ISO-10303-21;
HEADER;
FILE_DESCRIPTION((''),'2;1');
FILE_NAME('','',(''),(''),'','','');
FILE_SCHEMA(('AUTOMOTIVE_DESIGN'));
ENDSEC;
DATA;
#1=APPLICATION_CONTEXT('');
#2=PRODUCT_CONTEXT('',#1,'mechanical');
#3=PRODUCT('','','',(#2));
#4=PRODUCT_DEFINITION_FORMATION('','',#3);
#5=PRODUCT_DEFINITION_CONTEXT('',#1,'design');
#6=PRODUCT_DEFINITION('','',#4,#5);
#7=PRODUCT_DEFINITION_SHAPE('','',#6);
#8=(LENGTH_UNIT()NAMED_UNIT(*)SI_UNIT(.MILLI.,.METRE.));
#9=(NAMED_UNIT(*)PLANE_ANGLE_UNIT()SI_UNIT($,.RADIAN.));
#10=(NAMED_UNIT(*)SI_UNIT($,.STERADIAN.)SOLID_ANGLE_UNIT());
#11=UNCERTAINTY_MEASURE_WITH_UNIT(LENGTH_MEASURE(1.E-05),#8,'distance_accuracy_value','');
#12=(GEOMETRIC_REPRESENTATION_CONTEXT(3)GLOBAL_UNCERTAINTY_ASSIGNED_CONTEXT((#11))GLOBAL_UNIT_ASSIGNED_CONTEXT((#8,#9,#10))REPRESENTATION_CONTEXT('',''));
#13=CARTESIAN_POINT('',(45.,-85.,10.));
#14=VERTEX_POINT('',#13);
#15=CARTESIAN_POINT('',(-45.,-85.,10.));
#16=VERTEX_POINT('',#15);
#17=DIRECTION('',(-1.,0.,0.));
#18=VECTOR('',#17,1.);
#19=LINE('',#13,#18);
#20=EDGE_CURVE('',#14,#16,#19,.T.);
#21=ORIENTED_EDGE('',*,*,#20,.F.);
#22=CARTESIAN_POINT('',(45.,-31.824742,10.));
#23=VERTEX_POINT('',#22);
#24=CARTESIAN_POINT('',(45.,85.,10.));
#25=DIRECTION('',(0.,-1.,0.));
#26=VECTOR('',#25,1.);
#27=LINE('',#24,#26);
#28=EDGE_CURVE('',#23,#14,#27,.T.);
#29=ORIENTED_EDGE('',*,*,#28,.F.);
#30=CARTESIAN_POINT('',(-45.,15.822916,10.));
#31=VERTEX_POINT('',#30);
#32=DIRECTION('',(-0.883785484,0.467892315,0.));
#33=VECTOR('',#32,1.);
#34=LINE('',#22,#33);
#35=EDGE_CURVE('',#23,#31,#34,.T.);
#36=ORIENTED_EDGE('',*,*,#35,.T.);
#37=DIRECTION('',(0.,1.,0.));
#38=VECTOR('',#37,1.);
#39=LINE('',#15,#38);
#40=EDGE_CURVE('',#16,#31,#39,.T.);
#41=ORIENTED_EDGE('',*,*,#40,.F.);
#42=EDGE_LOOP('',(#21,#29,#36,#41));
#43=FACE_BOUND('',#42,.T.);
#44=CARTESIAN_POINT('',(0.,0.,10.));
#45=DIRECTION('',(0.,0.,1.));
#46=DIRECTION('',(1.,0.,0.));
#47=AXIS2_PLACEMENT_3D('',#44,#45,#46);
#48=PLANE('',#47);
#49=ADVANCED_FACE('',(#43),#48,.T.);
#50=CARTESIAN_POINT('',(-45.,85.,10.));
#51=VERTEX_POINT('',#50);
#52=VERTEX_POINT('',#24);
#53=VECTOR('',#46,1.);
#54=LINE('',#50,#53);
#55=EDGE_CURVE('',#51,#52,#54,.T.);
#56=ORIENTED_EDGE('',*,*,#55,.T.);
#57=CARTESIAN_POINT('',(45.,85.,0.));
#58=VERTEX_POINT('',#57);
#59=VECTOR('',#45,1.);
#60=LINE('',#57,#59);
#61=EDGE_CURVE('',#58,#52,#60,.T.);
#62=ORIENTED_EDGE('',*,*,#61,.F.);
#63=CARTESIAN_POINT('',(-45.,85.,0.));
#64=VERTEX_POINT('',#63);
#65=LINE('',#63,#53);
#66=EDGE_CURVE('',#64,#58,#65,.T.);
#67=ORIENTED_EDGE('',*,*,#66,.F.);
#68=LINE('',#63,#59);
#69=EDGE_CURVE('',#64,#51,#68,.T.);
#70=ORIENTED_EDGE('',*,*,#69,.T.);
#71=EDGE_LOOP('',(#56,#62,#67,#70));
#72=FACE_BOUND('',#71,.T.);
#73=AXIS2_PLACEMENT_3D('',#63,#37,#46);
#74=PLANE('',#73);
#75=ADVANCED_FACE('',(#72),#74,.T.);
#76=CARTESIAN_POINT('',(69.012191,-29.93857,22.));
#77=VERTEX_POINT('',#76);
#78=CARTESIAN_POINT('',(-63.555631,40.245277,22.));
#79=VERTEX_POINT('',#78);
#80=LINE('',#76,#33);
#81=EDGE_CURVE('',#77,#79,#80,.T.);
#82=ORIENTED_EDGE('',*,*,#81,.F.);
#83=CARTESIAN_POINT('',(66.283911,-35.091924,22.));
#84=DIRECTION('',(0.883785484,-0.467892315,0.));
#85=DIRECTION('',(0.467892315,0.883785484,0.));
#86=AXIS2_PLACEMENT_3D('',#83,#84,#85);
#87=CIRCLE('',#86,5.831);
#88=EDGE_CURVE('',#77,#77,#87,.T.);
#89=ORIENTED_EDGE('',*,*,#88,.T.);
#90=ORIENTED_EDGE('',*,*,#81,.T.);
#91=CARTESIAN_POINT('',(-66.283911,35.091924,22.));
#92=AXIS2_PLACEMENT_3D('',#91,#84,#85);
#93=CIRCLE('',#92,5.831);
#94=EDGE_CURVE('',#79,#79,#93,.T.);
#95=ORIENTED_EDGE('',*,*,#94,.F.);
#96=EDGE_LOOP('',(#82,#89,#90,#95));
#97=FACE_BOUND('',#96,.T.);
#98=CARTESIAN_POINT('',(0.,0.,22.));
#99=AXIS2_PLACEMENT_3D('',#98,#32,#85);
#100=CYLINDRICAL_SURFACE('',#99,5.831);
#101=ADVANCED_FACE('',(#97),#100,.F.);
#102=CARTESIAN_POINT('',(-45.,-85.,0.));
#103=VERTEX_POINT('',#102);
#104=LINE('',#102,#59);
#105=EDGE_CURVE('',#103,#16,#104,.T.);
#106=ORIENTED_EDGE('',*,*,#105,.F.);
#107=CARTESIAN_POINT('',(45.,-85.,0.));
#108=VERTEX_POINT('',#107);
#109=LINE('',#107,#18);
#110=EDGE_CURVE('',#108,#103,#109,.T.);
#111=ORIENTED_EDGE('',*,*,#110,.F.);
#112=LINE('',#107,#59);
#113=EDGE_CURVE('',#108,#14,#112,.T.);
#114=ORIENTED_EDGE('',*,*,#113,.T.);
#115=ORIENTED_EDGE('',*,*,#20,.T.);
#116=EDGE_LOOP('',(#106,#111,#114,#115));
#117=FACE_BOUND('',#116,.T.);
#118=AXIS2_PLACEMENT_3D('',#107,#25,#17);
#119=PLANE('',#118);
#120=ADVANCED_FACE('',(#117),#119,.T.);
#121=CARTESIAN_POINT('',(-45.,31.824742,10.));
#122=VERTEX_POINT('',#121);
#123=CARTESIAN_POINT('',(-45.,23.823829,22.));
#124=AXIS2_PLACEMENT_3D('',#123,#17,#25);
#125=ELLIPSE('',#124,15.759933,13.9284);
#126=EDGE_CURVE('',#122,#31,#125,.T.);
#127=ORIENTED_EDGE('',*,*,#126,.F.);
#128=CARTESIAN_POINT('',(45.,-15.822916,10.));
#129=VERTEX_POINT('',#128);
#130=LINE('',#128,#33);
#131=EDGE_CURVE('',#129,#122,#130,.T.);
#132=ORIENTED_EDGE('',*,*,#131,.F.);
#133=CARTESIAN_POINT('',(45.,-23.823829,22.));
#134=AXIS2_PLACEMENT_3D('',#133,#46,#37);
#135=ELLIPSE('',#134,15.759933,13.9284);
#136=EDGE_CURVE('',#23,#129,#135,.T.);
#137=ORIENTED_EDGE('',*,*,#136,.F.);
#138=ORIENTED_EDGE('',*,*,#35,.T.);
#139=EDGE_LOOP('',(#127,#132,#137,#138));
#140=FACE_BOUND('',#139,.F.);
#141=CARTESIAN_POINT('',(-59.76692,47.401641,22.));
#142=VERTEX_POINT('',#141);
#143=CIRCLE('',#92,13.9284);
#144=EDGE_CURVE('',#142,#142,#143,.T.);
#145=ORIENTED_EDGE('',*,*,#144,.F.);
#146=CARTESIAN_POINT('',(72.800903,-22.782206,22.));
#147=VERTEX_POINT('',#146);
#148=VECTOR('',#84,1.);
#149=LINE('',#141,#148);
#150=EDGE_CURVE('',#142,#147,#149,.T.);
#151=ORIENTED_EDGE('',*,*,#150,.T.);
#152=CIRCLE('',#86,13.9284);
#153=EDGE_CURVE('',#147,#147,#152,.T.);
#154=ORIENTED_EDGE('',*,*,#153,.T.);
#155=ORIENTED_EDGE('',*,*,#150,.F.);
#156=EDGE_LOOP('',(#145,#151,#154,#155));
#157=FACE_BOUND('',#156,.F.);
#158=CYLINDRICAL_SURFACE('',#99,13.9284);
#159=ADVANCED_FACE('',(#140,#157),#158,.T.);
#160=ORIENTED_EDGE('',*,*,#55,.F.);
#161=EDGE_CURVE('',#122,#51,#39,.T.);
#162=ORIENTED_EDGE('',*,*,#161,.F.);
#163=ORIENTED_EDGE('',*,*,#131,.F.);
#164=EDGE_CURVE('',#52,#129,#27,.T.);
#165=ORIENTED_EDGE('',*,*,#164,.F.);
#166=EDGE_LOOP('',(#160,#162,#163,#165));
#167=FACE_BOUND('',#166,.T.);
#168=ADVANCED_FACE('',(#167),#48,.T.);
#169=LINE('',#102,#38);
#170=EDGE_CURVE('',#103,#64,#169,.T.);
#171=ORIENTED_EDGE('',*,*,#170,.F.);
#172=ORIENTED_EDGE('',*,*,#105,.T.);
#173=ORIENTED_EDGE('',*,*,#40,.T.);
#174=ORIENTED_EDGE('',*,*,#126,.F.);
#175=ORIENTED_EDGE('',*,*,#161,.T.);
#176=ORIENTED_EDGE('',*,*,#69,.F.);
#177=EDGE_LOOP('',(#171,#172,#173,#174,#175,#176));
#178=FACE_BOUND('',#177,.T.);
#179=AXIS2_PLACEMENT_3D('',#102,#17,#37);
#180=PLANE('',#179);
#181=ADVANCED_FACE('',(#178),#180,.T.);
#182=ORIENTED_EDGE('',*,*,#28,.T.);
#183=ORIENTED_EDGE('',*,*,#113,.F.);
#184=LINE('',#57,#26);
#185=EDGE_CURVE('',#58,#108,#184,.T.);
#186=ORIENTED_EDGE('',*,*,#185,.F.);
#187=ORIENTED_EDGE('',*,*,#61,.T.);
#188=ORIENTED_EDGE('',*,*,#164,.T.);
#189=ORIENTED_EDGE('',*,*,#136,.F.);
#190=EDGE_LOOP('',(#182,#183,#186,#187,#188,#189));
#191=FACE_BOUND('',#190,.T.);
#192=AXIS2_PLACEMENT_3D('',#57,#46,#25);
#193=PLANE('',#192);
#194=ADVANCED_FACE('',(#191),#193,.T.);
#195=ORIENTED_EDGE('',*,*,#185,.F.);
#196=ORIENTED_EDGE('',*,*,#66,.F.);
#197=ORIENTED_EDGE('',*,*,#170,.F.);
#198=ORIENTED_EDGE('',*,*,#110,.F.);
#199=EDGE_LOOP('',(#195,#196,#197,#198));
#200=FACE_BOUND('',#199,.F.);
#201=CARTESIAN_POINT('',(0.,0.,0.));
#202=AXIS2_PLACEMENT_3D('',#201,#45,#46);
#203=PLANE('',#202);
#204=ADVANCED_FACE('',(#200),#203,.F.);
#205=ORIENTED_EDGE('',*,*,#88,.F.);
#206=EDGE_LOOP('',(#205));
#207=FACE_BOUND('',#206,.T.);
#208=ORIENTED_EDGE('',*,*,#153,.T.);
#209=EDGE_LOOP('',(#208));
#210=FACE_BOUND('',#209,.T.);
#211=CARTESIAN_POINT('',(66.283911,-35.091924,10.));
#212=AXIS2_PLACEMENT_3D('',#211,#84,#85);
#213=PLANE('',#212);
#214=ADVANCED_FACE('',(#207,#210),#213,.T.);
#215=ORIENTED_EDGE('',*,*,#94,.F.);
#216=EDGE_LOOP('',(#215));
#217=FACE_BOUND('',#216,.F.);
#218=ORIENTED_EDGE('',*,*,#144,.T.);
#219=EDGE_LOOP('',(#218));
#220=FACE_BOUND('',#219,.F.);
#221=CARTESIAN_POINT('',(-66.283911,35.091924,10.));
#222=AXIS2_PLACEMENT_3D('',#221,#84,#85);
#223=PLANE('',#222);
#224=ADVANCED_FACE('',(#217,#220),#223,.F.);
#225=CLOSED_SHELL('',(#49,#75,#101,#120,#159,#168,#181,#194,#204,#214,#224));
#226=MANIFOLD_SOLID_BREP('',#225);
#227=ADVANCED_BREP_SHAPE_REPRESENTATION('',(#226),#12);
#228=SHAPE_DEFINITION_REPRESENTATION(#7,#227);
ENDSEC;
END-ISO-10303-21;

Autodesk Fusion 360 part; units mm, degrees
sketch "Rectangle" plane through (0, 0, 0) normal (0, 0, 1) x (1, 0, 0)
  line L0 (45, -85) -> (-45, -85)
  line L1 (-45, -85) -> (-45, 85)
  line L2 (-45, 85) -> (45, 85)
  line L3 (45, 85) -> (45, -85)
  line L4 (45, -85) -> (-45, 85) construction
  line L5 (-45, -85) -> (45, 85) construction
extrude "Extrude1" add sketch "Rectangle" along normal blind 10
sketch "Diagonals" plane through (0, 0, 10) normal (0, 0, 1) x (-1, 0, 0)
  line L0 (-45, -85) -> (45, -85)
  line L1 (45, -85) -> (45, 85)
  line L2 (45, 85) -> (-45, 85)
  line L3 (-45, 85) -> (-45, -85)
  line L4 (45, -85) -> (-45, 85) construction
  line L5 (-45, -85) -> (45, 85) construction
  line L6 (45, -23.8236) -> (-45, 23.8235)
  dimension "d3" = 90
ref_plane "WorkPlane1" through (0, 0, 10) normal (0.8838, -0.4679, 0) x (0.4679, 0.8838, 0)
sketch "Circles" plane through (0, 0, 10) normal (0.8838, -0.4679, 0) x (0.4679, 0.8838, 0)
  circle A0 centre (0, 12) radius 5.831
  circle A1 centre (0, 12) radius 13.9284
extrude "Extrude2" add sketch "Circles" along normal mid plane 150
